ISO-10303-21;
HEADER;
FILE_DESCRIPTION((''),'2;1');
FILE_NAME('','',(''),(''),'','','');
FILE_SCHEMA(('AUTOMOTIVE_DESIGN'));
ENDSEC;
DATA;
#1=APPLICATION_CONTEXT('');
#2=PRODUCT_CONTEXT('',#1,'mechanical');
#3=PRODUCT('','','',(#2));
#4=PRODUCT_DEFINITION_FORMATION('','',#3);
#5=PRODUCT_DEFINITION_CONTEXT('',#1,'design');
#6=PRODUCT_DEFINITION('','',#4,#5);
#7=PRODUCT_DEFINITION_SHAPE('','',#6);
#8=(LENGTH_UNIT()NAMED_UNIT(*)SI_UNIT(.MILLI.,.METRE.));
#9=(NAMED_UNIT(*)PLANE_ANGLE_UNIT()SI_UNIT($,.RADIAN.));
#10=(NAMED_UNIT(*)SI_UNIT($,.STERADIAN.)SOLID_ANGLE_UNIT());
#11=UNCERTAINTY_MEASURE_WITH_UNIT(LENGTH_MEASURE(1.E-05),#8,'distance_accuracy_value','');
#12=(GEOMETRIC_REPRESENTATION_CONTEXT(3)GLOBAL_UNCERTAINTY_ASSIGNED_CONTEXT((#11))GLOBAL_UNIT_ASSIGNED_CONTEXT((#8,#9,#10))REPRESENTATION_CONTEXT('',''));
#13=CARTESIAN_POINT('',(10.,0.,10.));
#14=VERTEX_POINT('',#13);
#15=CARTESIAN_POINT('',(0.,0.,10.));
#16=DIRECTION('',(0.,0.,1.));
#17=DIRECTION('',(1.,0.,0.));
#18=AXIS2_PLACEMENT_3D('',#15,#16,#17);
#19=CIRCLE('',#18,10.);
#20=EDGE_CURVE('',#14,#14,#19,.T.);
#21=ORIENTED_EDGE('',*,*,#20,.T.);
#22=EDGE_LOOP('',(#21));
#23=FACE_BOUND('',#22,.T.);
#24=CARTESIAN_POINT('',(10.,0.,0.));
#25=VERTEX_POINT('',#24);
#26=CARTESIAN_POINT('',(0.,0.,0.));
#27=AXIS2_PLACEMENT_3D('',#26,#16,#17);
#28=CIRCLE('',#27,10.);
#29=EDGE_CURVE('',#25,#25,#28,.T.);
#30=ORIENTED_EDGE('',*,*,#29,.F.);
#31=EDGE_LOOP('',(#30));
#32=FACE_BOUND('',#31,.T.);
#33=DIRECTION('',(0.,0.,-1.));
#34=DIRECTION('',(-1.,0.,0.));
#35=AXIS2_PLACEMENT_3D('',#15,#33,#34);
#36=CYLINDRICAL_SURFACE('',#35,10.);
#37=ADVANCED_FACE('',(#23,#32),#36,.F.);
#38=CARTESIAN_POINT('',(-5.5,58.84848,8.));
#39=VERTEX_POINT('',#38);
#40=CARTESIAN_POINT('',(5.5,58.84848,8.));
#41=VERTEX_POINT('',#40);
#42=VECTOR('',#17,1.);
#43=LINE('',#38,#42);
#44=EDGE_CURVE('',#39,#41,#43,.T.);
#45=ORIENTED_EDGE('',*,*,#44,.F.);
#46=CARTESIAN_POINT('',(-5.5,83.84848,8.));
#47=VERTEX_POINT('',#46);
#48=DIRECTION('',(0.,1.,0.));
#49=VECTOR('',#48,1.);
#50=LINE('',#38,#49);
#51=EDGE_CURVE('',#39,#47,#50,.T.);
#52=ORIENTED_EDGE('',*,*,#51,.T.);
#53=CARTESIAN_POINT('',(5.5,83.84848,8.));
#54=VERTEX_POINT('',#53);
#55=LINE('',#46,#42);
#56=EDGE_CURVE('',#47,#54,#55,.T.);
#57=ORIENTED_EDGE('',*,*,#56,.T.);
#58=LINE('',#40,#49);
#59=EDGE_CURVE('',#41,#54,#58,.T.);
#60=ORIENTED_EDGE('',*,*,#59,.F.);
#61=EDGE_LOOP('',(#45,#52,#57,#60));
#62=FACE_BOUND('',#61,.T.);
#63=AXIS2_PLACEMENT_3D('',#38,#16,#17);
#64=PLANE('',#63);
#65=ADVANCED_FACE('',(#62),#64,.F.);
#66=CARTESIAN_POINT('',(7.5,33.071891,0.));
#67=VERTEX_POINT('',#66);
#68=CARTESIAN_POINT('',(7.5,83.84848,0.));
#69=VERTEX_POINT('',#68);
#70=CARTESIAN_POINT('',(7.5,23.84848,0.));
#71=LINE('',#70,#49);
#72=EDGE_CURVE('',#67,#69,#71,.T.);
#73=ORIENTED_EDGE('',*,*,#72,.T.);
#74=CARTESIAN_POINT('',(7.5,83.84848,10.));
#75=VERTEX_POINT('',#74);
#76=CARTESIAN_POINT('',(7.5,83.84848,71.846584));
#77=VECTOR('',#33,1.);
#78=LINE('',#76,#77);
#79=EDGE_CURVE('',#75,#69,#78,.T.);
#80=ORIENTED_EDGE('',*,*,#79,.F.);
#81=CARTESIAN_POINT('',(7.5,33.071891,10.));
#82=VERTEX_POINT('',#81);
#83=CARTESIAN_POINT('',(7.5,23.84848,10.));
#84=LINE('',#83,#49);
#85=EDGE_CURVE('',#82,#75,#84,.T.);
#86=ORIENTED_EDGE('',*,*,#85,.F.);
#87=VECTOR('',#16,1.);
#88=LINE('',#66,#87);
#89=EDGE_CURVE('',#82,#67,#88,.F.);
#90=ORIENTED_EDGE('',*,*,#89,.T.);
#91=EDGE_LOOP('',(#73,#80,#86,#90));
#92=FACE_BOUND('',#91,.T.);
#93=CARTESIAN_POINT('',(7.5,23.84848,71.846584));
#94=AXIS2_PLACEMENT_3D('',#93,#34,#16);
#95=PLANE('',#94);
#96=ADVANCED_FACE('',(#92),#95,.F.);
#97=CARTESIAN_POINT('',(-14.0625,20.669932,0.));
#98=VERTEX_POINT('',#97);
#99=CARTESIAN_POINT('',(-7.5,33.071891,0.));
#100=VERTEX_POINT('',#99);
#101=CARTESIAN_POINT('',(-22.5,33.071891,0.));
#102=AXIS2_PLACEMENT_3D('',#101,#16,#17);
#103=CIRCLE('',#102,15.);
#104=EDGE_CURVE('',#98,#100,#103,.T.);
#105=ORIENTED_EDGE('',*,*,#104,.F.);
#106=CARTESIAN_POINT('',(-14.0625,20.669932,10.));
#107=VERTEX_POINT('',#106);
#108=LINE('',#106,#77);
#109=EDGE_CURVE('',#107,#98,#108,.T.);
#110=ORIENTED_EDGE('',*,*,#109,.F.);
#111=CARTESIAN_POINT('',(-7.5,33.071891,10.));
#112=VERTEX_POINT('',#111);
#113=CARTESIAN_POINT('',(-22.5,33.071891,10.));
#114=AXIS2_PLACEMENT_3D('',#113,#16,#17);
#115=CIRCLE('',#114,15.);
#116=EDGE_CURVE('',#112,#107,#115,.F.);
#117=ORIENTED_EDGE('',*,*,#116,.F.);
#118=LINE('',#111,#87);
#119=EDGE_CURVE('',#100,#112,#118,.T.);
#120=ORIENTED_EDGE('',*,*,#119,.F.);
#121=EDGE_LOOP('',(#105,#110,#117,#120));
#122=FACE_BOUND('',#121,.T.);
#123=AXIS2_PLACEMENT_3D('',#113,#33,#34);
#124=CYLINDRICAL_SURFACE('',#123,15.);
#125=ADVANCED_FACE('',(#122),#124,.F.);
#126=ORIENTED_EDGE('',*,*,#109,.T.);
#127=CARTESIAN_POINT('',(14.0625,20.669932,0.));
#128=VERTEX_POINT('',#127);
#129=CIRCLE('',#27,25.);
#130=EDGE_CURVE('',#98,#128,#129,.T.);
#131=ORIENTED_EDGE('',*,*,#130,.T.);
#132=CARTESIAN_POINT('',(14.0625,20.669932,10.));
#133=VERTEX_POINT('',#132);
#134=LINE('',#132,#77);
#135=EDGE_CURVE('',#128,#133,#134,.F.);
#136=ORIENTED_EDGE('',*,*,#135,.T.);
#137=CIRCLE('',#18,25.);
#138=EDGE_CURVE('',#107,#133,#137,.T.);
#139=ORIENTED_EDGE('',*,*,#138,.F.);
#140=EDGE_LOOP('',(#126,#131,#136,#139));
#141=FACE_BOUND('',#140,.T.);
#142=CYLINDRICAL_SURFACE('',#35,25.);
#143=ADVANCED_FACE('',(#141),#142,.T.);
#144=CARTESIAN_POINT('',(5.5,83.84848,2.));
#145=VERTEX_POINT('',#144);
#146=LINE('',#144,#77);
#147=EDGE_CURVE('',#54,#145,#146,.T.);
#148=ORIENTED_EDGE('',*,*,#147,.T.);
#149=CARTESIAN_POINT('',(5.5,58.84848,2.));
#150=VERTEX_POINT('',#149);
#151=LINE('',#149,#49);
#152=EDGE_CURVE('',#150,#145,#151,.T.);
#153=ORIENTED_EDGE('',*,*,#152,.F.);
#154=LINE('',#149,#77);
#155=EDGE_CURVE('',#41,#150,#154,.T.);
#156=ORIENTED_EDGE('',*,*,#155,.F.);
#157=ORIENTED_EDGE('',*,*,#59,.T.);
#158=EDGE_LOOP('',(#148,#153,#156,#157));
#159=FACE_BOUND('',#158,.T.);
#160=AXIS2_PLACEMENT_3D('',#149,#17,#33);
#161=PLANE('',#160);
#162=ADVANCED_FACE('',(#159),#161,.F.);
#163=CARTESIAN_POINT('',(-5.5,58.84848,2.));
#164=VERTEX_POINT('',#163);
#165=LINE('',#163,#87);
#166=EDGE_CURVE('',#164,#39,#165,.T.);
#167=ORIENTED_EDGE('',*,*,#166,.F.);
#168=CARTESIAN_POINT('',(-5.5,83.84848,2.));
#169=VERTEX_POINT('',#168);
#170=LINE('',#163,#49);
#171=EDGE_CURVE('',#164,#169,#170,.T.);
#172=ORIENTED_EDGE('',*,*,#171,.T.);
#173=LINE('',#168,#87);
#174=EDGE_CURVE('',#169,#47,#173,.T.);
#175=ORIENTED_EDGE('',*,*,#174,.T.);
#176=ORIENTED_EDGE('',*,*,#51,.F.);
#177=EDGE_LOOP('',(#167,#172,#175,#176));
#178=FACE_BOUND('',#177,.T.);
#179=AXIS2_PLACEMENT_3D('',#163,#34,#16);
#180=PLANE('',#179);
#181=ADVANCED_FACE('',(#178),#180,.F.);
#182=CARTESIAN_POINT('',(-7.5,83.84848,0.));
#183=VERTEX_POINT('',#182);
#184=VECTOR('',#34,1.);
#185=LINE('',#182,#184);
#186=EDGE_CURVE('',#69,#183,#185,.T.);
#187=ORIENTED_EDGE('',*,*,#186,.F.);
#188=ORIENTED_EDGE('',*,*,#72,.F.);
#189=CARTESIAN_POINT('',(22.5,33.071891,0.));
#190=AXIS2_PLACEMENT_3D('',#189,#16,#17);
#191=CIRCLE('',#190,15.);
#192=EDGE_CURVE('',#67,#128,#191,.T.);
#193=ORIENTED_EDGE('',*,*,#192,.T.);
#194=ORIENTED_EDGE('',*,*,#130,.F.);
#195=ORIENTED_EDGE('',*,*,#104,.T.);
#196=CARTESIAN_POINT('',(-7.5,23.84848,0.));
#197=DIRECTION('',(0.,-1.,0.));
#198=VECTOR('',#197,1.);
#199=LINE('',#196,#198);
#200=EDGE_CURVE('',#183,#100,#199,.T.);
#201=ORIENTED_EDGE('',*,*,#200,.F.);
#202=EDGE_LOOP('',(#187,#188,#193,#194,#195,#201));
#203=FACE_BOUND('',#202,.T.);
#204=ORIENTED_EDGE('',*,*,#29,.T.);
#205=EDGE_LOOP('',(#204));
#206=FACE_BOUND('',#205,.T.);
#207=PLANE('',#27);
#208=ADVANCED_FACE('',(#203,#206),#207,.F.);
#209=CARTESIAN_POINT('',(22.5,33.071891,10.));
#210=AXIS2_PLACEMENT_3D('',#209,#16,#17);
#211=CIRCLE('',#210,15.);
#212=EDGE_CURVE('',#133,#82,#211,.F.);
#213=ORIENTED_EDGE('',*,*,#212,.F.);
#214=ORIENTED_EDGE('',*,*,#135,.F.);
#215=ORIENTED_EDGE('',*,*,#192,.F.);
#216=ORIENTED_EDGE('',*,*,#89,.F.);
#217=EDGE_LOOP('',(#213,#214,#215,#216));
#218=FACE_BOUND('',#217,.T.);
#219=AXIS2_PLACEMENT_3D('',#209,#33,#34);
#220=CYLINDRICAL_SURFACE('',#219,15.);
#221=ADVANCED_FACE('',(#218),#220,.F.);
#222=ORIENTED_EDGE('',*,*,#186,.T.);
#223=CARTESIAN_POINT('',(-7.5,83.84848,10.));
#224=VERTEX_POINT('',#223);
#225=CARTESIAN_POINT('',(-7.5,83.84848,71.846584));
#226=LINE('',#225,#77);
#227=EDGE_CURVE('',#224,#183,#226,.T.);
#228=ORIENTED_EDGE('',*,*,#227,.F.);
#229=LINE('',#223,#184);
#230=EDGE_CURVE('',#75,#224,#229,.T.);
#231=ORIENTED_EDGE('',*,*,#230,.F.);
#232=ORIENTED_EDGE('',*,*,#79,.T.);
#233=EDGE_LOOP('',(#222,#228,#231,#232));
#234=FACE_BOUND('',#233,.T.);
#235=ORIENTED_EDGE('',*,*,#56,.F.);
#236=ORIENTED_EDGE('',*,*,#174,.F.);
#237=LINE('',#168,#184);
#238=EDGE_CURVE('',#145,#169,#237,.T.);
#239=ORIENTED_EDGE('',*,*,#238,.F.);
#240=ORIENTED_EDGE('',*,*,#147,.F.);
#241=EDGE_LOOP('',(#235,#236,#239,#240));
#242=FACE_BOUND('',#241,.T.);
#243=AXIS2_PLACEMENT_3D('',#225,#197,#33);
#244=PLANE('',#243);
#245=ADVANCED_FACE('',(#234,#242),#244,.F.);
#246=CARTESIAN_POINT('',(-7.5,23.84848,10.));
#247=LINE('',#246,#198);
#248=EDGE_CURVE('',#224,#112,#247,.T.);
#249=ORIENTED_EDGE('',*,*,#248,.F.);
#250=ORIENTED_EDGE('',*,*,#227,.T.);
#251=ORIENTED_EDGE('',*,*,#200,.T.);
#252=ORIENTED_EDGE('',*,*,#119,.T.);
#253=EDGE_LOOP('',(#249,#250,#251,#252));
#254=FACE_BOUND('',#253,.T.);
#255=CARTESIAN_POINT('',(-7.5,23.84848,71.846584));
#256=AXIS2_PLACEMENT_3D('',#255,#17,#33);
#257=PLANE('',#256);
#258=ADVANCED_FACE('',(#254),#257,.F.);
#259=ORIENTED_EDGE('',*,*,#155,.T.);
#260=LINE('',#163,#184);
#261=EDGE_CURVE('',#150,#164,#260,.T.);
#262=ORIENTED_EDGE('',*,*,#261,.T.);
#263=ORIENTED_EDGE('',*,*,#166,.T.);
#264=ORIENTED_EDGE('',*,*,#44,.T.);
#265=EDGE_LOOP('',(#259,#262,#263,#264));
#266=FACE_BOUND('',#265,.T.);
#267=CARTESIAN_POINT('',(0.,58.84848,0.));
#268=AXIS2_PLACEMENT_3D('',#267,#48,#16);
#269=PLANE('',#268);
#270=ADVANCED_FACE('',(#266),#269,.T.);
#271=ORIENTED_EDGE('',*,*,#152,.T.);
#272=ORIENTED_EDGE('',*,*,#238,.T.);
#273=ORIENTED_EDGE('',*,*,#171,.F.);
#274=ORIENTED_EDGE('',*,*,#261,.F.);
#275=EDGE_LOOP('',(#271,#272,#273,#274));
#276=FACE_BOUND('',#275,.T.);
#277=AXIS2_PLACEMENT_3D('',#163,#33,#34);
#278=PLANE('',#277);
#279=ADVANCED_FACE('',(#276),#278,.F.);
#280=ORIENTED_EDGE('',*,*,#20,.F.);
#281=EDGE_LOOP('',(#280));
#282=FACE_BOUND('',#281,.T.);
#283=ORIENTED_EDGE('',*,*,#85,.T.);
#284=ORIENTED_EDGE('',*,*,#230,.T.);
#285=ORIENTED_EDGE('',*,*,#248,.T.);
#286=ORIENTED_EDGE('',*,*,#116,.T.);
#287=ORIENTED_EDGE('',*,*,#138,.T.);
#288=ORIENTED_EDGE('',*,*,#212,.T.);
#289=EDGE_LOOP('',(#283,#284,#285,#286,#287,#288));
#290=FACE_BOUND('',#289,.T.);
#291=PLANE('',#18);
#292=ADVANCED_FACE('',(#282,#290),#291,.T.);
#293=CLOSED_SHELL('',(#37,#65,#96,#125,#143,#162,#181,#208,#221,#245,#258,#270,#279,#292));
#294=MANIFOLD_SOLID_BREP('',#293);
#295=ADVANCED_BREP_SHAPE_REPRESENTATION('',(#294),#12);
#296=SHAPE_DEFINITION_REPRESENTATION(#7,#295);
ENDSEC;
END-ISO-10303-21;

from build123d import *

# Parameters (mm, degrees)
SKETCH1_R           = 25
SKETCH1_R_2         = 10
BOSS_EXTRUDE1_DEPTH = 10
SKETCH2_W           = 15
SKETCH2_H           = 60
BOSS_EXTRUDE2_DEPTH = 10
FILLET1_R           = 15
SKETCH3_W           = 11
SKETCH3_H           = 6
CUT_EXTRUDE1_DEPTH  = 25


with BuildPart() as part:
    # Sketch1 → Boss-Extrude1 (new body)
    with BuildSketch(Plane.XY):
        Circle(SKETCH1_R)
        Circle(SKETCH1_R_2, mode=Mode.SUBTRACT)
    extrude(amount=BOSS_EXTRUDE1_DEPTH)

    # Sketch2 → Boss-Extrude2 (add)
    with BuildSketch(Plane.XY):
        with Locations((0, 53.848480035)):
            Rectangle(SKETCH2_W, SKETCH2_H)
    extrude(amount=BOSS_EXTRUDE2_DEPTH)

    # Fillet1
    fillet1_edges = [part.edges().sort_by_distance(p)[0] for p in [
        (-7.5, 23.848480035, 5),
        (7.5, 23.848480035, 5),
    ]]
    fillet(fillet1_edges, radius=FILLET1_R)

    # Sketch3 → Cut-Extrude1 (cut)
    with BuildSketch(Plane(origin=(0, 83.848480035, 0), x_dir=(1, 0, 0), z_dir=(0, 1, 0))):
        with Locations((0, -5)):
            Rectangle(SKETCH3_W, SKETCH3_H)
    extrude(amount=-CUT_EXTRUDE1_DEPTH, mode=Mode.SUBTRACT)


solid = part.part
